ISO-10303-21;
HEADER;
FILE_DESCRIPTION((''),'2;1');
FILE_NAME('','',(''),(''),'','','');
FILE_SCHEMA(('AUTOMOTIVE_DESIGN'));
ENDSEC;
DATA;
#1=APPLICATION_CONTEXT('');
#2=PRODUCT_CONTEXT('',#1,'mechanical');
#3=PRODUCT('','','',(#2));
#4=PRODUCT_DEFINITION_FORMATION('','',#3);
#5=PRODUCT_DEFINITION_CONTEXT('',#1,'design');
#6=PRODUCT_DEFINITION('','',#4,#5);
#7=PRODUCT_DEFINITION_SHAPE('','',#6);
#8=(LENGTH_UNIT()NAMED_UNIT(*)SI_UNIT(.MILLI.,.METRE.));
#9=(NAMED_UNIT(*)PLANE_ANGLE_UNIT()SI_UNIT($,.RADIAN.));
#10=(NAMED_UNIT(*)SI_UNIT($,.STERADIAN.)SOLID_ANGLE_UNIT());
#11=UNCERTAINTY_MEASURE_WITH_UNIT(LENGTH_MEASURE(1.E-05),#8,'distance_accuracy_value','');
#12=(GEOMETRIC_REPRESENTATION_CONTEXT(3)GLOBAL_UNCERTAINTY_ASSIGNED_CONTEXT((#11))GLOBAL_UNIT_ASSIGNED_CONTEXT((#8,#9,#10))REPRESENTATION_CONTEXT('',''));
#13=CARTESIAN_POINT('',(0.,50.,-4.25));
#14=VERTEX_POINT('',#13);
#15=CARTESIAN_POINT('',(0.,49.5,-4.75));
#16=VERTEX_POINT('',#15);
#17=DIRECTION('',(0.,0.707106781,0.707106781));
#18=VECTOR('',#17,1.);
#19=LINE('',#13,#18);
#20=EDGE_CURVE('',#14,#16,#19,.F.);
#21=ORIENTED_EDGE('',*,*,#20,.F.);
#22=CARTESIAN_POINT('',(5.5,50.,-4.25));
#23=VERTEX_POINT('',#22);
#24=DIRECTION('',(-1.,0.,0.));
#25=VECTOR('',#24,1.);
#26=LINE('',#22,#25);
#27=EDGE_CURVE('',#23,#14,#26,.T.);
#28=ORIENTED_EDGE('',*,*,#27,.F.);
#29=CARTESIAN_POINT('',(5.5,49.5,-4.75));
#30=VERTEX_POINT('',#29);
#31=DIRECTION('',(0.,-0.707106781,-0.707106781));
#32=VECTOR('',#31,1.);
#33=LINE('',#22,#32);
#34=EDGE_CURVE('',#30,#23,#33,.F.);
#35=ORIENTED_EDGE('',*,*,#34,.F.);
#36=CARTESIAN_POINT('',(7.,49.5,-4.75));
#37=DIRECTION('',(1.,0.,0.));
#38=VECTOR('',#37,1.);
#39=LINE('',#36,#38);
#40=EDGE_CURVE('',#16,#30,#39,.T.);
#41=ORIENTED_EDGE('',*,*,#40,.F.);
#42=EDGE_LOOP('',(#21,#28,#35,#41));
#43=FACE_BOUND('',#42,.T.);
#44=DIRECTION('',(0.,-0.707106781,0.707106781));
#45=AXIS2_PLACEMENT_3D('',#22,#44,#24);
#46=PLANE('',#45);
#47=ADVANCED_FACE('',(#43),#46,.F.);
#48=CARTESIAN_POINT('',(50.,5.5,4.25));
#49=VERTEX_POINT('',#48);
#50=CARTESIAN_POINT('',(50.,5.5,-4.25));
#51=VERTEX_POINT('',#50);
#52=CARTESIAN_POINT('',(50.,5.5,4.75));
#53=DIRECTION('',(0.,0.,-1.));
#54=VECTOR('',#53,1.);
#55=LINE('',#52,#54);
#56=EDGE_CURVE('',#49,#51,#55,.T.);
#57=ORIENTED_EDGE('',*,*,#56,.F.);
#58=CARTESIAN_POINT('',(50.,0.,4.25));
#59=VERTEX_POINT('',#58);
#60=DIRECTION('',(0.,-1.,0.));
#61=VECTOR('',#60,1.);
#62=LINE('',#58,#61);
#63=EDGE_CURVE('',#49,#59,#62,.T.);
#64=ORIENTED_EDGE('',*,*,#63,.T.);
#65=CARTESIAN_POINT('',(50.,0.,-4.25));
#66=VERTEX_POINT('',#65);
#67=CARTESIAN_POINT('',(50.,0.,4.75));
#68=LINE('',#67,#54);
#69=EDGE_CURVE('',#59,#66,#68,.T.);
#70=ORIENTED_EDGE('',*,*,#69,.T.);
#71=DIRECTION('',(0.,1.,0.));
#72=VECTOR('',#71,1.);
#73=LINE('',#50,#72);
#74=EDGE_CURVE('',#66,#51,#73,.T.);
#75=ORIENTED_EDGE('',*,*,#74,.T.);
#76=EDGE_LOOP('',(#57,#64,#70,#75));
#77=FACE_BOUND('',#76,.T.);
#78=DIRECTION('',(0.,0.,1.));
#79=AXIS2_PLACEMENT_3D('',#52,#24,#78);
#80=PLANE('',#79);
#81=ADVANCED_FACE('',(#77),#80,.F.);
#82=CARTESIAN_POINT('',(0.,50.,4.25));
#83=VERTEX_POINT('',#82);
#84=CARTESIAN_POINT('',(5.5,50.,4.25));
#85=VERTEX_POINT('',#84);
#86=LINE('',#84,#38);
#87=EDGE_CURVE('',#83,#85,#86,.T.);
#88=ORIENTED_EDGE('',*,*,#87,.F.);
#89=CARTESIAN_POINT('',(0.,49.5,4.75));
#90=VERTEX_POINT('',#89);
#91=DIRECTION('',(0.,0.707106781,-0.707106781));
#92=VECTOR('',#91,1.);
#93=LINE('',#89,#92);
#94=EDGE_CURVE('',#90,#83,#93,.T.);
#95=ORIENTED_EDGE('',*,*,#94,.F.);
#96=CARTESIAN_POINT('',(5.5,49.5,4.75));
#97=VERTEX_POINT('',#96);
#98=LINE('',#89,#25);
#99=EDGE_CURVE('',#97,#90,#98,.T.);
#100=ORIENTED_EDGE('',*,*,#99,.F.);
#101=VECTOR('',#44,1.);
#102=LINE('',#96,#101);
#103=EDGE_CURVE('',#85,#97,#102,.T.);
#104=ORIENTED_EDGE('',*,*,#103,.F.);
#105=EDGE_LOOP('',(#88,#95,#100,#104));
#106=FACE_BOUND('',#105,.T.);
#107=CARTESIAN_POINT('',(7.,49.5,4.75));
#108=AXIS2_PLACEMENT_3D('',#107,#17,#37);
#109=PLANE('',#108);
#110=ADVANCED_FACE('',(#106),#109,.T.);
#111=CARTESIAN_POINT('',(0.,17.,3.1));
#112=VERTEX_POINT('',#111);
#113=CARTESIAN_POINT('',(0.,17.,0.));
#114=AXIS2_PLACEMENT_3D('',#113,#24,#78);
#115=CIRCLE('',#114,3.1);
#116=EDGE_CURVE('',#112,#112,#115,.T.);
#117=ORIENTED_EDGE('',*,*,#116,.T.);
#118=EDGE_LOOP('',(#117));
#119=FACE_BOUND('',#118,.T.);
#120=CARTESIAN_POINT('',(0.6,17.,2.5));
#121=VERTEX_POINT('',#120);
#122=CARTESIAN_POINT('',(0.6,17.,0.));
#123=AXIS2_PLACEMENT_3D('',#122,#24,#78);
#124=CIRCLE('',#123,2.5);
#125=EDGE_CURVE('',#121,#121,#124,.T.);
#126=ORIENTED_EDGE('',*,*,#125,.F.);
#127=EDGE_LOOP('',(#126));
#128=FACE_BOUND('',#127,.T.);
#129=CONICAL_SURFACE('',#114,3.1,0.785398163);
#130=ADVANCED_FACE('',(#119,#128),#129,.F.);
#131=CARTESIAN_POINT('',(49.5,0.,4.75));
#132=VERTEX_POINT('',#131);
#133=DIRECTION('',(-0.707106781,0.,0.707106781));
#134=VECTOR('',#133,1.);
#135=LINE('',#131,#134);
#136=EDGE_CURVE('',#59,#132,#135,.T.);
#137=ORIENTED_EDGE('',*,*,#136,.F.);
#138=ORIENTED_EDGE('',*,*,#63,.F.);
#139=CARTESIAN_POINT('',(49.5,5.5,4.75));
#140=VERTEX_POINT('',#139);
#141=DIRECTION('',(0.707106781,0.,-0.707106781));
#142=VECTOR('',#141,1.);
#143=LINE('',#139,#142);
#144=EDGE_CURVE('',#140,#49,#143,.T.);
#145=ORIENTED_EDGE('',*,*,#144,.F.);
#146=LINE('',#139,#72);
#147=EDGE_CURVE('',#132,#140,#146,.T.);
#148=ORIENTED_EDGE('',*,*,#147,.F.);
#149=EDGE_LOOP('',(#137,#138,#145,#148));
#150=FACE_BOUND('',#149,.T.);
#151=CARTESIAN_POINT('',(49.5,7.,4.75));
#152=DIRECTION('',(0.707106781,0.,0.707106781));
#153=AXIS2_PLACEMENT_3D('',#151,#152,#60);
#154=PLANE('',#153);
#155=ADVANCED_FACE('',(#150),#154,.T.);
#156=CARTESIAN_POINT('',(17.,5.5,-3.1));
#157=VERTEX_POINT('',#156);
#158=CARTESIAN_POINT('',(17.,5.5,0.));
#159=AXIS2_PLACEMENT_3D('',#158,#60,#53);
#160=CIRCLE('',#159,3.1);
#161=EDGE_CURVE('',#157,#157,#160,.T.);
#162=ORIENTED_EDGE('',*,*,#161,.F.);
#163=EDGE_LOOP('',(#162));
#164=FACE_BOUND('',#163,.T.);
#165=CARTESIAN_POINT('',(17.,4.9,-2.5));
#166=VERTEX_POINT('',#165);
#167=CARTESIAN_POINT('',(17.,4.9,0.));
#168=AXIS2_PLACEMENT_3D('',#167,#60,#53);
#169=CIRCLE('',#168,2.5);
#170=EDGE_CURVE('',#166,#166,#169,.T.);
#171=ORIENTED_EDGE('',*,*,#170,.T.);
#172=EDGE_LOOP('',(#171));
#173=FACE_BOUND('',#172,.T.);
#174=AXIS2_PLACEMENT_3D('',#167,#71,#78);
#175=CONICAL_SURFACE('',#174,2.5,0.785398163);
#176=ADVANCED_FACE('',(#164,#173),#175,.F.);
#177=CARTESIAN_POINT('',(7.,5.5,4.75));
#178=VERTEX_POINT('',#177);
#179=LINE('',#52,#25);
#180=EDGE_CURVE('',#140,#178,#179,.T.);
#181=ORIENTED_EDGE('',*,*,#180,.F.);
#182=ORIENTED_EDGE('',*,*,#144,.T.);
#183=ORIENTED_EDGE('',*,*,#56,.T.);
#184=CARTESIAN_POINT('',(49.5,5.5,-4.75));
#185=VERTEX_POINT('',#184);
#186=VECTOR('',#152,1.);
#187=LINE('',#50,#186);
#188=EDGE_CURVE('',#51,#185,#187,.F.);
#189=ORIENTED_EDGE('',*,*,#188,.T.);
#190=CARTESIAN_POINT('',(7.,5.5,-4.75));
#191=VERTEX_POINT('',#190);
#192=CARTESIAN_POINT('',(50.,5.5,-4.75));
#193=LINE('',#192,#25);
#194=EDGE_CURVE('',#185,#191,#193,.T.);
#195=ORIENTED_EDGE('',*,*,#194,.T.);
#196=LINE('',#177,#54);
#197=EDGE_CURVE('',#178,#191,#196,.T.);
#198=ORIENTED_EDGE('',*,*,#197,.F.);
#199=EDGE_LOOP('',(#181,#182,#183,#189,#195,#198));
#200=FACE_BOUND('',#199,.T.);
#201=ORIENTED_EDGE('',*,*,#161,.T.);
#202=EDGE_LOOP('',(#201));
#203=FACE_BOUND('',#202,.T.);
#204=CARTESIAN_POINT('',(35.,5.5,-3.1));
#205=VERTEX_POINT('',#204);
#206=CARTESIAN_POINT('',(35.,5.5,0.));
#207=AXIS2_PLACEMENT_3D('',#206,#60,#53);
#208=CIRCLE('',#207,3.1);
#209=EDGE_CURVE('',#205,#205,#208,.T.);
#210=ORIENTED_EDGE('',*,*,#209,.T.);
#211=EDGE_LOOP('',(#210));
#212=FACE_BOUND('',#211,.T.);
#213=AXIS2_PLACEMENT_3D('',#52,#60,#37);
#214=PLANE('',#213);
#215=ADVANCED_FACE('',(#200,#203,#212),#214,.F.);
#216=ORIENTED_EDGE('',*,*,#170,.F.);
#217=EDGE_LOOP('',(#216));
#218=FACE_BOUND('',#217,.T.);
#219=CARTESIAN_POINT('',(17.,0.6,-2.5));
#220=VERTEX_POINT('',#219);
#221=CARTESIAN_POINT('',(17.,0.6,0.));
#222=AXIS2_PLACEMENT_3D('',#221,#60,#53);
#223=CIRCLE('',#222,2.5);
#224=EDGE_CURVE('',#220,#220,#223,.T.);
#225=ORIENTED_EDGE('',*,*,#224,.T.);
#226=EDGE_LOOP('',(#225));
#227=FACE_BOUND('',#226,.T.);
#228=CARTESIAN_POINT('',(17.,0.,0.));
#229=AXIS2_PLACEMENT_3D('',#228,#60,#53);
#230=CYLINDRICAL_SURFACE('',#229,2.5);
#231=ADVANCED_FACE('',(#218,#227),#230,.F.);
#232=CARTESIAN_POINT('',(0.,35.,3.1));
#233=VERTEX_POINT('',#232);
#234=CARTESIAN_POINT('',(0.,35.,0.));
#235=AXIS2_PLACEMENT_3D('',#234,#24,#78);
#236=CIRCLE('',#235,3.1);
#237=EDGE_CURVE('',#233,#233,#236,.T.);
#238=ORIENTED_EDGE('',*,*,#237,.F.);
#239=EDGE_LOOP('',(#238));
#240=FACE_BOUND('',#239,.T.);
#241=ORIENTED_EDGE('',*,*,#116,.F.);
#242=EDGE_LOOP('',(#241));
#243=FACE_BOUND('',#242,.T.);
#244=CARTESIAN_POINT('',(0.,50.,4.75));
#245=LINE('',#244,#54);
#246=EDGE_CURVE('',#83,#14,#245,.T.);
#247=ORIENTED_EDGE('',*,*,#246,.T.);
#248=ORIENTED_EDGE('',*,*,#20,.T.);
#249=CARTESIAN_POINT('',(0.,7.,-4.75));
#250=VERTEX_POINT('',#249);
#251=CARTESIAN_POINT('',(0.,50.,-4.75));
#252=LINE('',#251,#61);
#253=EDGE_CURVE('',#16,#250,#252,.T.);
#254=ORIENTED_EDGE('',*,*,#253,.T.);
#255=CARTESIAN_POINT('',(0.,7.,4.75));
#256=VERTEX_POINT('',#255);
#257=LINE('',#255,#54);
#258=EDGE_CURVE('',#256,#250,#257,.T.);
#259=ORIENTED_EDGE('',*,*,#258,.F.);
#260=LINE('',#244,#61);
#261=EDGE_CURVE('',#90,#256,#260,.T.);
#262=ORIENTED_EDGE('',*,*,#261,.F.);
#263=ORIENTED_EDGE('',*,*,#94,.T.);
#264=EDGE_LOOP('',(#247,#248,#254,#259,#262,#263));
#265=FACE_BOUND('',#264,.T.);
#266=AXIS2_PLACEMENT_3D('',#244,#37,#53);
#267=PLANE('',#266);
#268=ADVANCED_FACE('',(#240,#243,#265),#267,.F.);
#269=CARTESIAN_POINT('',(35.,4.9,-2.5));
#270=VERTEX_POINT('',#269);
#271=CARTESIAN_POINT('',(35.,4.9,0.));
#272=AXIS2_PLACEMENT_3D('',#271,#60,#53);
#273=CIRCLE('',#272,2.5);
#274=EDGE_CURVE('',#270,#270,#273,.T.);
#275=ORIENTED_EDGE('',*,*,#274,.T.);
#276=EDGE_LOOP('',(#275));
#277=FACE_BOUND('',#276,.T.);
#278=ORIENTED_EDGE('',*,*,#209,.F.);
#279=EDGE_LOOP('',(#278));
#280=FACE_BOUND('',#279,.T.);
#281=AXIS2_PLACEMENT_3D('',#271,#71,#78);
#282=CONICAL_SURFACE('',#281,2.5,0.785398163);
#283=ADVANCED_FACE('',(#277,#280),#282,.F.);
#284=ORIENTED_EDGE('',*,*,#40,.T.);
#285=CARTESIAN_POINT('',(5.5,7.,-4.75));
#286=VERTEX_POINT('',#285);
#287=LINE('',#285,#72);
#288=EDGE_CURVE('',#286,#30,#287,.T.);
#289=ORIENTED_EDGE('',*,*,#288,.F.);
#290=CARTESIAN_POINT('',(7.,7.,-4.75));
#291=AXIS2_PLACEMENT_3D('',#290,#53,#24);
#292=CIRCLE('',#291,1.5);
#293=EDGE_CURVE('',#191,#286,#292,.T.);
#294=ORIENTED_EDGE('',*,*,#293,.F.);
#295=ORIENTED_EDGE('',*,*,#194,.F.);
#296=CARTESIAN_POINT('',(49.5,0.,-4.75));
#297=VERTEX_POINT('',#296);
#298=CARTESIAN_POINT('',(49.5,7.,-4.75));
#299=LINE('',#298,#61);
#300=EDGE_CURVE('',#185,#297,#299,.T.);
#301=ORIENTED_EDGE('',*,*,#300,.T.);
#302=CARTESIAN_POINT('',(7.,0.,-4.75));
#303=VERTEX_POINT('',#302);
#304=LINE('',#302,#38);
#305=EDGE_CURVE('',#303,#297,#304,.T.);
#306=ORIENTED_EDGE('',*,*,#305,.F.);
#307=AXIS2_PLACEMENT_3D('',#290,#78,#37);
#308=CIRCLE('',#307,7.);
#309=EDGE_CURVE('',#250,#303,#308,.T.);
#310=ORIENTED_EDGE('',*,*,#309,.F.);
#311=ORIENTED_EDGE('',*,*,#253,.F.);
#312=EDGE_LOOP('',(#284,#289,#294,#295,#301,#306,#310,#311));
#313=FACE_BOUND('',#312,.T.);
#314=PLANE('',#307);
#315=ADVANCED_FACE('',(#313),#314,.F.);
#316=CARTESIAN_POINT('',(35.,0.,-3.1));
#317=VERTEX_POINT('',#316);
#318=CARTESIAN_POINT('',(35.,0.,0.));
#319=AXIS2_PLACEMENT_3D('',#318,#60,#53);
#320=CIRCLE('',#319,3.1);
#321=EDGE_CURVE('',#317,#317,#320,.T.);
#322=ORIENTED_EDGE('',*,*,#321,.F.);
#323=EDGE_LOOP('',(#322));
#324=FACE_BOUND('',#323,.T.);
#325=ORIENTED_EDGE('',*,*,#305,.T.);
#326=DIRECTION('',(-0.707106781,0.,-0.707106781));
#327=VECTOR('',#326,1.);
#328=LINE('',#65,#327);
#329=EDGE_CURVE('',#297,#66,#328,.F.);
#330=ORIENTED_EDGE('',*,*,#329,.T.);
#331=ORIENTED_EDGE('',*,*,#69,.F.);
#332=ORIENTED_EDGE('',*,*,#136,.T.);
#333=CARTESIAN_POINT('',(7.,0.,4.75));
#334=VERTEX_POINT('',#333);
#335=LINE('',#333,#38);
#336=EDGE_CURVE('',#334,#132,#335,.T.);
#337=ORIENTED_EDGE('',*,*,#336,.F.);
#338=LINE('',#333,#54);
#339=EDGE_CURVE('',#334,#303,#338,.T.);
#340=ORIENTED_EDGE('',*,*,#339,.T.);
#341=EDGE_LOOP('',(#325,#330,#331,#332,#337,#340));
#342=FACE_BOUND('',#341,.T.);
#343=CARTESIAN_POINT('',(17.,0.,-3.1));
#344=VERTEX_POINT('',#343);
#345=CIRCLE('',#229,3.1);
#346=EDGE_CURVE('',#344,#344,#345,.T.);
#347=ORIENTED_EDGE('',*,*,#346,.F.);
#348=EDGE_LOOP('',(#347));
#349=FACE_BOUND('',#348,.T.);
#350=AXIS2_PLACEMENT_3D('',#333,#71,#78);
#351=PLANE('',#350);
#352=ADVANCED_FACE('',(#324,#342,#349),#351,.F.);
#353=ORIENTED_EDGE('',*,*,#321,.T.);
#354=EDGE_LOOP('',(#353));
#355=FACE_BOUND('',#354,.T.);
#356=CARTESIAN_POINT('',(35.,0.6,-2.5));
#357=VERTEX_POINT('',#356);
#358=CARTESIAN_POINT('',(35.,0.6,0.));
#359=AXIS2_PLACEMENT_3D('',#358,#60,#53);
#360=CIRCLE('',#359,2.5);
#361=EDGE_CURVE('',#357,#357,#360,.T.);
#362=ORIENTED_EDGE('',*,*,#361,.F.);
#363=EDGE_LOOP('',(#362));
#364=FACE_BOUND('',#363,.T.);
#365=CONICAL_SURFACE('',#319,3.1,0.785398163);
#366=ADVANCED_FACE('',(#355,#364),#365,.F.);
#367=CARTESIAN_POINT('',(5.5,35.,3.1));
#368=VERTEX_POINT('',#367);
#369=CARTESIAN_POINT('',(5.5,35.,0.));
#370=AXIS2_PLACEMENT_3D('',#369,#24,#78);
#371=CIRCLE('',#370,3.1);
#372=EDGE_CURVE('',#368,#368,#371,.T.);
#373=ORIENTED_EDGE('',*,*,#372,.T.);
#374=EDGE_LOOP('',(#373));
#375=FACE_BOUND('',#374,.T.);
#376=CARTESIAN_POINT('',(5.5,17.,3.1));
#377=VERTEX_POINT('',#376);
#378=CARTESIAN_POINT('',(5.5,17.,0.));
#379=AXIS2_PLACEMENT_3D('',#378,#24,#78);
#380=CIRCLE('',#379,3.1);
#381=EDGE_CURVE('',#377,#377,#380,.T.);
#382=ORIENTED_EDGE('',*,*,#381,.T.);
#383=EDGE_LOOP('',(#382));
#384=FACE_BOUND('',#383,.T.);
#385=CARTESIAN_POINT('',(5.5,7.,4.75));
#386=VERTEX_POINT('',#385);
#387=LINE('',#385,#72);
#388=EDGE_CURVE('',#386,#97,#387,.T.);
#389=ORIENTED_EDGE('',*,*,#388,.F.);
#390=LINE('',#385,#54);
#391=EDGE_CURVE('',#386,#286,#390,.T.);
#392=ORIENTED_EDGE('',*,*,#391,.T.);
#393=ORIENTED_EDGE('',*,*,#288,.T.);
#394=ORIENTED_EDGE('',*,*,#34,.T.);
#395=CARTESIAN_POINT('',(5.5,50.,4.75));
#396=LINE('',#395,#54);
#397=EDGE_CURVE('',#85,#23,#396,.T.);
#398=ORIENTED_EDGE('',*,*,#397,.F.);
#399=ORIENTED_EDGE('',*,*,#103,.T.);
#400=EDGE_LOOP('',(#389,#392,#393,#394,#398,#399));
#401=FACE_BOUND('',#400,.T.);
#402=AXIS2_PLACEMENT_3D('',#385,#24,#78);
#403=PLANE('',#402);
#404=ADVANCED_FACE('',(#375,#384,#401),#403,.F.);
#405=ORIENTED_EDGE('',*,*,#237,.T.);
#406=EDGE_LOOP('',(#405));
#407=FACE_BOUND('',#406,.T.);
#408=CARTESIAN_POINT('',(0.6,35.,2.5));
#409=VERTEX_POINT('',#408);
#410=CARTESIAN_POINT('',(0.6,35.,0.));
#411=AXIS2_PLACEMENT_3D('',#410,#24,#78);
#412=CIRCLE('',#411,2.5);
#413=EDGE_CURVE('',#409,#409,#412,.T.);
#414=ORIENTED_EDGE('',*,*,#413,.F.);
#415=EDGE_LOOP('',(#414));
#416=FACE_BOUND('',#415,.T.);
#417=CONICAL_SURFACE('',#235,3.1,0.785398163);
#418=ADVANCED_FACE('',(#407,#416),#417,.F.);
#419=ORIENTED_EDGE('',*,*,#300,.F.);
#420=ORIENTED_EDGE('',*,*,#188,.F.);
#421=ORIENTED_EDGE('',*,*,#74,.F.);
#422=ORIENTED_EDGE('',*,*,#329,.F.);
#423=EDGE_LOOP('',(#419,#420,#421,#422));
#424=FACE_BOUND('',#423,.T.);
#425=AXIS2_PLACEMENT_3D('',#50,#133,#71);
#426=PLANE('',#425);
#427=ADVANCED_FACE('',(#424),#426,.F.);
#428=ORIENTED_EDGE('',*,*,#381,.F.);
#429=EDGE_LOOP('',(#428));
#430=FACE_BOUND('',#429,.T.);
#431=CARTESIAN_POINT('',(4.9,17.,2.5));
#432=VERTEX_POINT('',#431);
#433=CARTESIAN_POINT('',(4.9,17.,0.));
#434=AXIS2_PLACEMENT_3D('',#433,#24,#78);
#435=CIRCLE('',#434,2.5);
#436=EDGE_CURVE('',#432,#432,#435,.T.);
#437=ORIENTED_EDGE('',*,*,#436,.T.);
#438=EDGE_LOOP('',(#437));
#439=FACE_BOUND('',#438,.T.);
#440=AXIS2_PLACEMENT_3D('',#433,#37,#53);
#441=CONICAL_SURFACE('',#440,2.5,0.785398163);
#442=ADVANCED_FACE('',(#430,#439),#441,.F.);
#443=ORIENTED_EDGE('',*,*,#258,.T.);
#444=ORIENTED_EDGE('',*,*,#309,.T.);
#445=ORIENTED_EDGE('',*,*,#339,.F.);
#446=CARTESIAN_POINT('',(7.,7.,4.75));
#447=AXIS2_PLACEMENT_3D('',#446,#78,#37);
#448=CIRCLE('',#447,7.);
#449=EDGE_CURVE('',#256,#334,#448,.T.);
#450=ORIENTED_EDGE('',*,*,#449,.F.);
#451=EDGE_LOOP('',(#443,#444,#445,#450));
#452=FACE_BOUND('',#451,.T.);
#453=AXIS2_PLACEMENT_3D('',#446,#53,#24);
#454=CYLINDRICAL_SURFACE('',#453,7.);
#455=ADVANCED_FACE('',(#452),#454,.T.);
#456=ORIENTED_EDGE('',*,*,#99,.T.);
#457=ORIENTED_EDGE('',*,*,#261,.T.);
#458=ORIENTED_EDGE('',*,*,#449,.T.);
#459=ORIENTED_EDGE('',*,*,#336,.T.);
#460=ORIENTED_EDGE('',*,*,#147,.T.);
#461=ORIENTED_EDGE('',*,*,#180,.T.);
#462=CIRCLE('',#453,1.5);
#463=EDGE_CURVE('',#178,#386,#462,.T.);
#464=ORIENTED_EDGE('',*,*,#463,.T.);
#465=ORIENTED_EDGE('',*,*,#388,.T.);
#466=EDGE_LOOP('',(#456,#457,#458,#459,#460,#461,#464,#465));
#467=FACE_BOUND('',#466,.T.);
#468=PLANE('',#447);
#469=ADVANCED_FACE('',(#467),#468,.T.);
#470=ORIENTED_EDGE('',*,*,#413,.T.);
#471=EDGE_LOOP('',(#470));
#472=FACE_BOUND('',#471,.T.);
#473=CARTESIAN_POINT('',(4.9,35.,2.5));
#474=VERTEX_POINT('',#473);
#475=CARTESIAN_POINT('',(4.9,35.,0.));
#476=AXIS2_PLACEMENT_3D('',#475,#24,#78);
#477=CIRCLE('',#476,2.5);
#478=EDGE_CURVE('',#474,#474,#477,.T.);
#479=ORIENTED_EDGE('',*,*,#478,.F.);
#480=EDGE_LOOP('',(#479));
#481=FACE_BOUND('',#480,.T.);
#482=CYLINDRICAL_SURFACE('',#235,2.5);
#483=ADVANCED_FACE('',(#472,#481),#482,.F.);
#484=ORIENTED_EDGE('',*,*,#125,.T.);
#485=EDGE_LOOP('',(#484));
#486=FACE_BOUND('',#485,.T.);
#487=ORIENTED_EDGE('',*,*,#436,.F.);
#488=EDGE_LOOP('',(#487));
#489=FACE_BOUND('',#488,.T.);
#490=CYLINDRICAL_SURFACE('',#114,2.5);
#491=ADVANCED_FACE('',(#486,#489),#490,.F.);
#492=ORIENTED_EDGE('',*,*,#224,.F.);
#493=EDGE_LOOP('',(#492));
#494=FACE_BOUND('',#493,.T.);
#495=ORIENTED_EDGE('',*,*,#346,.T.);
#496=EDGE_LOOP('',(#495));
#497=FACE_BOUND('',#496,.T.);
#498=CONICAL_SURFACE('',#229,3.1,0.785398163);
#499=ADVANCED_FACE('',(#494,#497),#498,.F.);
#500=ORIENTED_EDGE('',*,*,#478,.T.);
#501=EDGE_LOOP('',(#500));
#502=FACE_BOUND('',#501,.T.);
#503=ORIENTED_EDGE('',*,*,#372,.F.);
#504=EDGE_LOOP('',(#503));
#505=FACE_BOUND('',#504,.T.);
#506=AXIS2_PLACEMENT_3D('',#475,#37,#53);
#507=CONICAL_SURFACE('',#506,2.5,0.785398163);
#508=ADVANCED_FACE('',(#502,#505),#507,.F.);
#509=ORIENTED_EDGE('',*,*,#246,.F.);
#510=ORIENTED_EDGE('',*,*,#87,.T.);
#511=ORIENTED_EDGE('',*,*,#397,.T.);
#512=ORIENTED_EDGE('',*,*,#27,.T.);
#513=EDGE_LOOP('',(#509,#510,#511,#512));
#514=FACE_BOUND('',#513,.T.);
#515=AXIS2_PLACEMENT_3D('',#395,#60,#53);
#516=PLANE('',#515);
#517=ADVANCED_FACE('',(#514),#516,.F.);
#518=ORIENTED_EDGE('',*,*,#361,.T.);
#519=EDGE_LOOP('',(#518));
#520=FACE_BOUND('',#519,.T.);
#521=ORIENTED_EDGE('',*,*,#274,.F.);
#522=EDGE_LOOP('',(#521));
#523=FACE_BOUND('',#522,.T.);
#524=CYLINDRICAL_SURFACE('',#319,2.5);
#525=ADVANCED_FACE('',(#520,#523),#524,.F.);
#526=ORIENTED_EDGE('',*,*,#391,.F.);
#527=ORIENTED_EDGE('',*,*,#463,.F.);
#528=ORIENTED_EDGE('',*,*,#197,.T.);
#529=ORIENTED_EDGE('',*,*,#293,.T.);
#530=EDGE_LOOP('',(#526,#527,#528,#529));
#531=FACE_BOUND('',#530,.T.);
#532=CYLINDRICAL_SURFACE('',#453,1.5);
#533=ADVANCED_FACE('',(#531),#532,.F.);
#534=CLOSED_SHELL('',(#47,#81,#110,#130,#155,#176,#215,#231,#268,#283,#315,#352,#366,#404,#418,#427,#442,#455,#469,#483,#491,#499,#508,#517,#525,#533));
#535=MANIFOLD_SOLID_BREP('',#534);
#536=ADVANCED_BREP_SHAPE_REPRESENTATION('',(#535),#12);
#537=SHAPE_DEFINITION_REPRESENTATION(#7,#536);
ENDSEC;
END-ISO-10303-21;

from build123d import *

# Parameters (mm, degrees)
EXTRUDE_1_DEPTH            = 4.75
HOLE_WIZARD_M61_AT_2_COUNT = 2
HOLE_WIZARD_M61_AT_2_PITCH = 18
CHAMFER_1_SIZE             = 0.5


with BuildPart() as part:
    # Эскиз1 → Бобышка-Вытянуть1 (new body, symmetric)
    with BuildSketch(Plane.XY):
        with BuildLine():
            Line((0, 50), (0, 7))
            ThreePointArc((0, 7), (2.050252532, 2.050252532), (7, 0))
            Line((7, 0), (50, 0))
            Line((50, 0), (50, 5.5))
            Line((50, 5.5), (7, 5.5))
            ThreePointArc((7, 5.5), (5.939339828, 5.939339828), (5.5, 7))
            Line((5.5, 7), (5.5, 50))
            Line((5.5, 50), (0, 50))
        make_face()
    extrude(amount=EXTRUDE_1_DEPTH, both=True)

    # Эскиз5 → Отверстие обработанное метчиком M61 (revolve, cut)
    with BuildSketch(Plane.ZX.offset(35)):
        Polygon((0, 0), (0, 5.5), (3.1, 5.5), (2.5, 4.9), (2.5, 0.6), (3.1, 0), align=None)
    hole_wizard_m61 = revolve(axis=Axis((-6.35, 35, 0), (1, 0, 0)), mode=Mode.SUBTRACT)

    # Отверстие обработанное метчиком M61 at 2: Отверстие обработанное метчиком M61 ×2
    with Locations(*[(0, -i * HOLE_WIZARD_M61_AT_2_PITCH, 0) for i in range(1, HOLE_WIZARD_M61_AT_2_COUNT)]):
        add(hole_wizard_m61, mode=Mode.SUBTRACT)

    # Зеркальное отражение1: Отверстие обработанное метчиком M61 across plane
    add(hole_wizard_m61.mirror(Plane(origin=(0, 0, 0), x_dir=(0, 0, 1), z_dir=(-0.707106781, 0.707106781, 0))), mode=Mode.SUBTRACT)

    # Зеркальное отражение1 copy 1 sketch → Зеркальное отражение1 copy 1 (revolve, cut)
    with BuildSketch(Plane(origin=(17, 0, 0), x_dir=(0, 0, 1), z_dir=(1, 0, 0))):
        Polygon((0, 0), (0, -5.5), (3.1, -5.5), (2.5, -4.9), (2.5, -0.6), (3.1, 0), align=None)
    revolve(axis=Axis((17, -6.35, 0), (0, -1, 0)), mode=Mode.SUBTRACT)

    # Фаска1
    chamfer_1_edges = [part.edges().sort_by_distance(p)[0] for p in [
        (2.75, 50, -4.75),
        (50, 2.75, 4.75),
        (2.75, 50, 4.75),
        (50, 2.75, -4.75),
    ]]
    chamfer(chamfer_1_edges, length=CHAMFER_1_SIZE)


solid = part.part
